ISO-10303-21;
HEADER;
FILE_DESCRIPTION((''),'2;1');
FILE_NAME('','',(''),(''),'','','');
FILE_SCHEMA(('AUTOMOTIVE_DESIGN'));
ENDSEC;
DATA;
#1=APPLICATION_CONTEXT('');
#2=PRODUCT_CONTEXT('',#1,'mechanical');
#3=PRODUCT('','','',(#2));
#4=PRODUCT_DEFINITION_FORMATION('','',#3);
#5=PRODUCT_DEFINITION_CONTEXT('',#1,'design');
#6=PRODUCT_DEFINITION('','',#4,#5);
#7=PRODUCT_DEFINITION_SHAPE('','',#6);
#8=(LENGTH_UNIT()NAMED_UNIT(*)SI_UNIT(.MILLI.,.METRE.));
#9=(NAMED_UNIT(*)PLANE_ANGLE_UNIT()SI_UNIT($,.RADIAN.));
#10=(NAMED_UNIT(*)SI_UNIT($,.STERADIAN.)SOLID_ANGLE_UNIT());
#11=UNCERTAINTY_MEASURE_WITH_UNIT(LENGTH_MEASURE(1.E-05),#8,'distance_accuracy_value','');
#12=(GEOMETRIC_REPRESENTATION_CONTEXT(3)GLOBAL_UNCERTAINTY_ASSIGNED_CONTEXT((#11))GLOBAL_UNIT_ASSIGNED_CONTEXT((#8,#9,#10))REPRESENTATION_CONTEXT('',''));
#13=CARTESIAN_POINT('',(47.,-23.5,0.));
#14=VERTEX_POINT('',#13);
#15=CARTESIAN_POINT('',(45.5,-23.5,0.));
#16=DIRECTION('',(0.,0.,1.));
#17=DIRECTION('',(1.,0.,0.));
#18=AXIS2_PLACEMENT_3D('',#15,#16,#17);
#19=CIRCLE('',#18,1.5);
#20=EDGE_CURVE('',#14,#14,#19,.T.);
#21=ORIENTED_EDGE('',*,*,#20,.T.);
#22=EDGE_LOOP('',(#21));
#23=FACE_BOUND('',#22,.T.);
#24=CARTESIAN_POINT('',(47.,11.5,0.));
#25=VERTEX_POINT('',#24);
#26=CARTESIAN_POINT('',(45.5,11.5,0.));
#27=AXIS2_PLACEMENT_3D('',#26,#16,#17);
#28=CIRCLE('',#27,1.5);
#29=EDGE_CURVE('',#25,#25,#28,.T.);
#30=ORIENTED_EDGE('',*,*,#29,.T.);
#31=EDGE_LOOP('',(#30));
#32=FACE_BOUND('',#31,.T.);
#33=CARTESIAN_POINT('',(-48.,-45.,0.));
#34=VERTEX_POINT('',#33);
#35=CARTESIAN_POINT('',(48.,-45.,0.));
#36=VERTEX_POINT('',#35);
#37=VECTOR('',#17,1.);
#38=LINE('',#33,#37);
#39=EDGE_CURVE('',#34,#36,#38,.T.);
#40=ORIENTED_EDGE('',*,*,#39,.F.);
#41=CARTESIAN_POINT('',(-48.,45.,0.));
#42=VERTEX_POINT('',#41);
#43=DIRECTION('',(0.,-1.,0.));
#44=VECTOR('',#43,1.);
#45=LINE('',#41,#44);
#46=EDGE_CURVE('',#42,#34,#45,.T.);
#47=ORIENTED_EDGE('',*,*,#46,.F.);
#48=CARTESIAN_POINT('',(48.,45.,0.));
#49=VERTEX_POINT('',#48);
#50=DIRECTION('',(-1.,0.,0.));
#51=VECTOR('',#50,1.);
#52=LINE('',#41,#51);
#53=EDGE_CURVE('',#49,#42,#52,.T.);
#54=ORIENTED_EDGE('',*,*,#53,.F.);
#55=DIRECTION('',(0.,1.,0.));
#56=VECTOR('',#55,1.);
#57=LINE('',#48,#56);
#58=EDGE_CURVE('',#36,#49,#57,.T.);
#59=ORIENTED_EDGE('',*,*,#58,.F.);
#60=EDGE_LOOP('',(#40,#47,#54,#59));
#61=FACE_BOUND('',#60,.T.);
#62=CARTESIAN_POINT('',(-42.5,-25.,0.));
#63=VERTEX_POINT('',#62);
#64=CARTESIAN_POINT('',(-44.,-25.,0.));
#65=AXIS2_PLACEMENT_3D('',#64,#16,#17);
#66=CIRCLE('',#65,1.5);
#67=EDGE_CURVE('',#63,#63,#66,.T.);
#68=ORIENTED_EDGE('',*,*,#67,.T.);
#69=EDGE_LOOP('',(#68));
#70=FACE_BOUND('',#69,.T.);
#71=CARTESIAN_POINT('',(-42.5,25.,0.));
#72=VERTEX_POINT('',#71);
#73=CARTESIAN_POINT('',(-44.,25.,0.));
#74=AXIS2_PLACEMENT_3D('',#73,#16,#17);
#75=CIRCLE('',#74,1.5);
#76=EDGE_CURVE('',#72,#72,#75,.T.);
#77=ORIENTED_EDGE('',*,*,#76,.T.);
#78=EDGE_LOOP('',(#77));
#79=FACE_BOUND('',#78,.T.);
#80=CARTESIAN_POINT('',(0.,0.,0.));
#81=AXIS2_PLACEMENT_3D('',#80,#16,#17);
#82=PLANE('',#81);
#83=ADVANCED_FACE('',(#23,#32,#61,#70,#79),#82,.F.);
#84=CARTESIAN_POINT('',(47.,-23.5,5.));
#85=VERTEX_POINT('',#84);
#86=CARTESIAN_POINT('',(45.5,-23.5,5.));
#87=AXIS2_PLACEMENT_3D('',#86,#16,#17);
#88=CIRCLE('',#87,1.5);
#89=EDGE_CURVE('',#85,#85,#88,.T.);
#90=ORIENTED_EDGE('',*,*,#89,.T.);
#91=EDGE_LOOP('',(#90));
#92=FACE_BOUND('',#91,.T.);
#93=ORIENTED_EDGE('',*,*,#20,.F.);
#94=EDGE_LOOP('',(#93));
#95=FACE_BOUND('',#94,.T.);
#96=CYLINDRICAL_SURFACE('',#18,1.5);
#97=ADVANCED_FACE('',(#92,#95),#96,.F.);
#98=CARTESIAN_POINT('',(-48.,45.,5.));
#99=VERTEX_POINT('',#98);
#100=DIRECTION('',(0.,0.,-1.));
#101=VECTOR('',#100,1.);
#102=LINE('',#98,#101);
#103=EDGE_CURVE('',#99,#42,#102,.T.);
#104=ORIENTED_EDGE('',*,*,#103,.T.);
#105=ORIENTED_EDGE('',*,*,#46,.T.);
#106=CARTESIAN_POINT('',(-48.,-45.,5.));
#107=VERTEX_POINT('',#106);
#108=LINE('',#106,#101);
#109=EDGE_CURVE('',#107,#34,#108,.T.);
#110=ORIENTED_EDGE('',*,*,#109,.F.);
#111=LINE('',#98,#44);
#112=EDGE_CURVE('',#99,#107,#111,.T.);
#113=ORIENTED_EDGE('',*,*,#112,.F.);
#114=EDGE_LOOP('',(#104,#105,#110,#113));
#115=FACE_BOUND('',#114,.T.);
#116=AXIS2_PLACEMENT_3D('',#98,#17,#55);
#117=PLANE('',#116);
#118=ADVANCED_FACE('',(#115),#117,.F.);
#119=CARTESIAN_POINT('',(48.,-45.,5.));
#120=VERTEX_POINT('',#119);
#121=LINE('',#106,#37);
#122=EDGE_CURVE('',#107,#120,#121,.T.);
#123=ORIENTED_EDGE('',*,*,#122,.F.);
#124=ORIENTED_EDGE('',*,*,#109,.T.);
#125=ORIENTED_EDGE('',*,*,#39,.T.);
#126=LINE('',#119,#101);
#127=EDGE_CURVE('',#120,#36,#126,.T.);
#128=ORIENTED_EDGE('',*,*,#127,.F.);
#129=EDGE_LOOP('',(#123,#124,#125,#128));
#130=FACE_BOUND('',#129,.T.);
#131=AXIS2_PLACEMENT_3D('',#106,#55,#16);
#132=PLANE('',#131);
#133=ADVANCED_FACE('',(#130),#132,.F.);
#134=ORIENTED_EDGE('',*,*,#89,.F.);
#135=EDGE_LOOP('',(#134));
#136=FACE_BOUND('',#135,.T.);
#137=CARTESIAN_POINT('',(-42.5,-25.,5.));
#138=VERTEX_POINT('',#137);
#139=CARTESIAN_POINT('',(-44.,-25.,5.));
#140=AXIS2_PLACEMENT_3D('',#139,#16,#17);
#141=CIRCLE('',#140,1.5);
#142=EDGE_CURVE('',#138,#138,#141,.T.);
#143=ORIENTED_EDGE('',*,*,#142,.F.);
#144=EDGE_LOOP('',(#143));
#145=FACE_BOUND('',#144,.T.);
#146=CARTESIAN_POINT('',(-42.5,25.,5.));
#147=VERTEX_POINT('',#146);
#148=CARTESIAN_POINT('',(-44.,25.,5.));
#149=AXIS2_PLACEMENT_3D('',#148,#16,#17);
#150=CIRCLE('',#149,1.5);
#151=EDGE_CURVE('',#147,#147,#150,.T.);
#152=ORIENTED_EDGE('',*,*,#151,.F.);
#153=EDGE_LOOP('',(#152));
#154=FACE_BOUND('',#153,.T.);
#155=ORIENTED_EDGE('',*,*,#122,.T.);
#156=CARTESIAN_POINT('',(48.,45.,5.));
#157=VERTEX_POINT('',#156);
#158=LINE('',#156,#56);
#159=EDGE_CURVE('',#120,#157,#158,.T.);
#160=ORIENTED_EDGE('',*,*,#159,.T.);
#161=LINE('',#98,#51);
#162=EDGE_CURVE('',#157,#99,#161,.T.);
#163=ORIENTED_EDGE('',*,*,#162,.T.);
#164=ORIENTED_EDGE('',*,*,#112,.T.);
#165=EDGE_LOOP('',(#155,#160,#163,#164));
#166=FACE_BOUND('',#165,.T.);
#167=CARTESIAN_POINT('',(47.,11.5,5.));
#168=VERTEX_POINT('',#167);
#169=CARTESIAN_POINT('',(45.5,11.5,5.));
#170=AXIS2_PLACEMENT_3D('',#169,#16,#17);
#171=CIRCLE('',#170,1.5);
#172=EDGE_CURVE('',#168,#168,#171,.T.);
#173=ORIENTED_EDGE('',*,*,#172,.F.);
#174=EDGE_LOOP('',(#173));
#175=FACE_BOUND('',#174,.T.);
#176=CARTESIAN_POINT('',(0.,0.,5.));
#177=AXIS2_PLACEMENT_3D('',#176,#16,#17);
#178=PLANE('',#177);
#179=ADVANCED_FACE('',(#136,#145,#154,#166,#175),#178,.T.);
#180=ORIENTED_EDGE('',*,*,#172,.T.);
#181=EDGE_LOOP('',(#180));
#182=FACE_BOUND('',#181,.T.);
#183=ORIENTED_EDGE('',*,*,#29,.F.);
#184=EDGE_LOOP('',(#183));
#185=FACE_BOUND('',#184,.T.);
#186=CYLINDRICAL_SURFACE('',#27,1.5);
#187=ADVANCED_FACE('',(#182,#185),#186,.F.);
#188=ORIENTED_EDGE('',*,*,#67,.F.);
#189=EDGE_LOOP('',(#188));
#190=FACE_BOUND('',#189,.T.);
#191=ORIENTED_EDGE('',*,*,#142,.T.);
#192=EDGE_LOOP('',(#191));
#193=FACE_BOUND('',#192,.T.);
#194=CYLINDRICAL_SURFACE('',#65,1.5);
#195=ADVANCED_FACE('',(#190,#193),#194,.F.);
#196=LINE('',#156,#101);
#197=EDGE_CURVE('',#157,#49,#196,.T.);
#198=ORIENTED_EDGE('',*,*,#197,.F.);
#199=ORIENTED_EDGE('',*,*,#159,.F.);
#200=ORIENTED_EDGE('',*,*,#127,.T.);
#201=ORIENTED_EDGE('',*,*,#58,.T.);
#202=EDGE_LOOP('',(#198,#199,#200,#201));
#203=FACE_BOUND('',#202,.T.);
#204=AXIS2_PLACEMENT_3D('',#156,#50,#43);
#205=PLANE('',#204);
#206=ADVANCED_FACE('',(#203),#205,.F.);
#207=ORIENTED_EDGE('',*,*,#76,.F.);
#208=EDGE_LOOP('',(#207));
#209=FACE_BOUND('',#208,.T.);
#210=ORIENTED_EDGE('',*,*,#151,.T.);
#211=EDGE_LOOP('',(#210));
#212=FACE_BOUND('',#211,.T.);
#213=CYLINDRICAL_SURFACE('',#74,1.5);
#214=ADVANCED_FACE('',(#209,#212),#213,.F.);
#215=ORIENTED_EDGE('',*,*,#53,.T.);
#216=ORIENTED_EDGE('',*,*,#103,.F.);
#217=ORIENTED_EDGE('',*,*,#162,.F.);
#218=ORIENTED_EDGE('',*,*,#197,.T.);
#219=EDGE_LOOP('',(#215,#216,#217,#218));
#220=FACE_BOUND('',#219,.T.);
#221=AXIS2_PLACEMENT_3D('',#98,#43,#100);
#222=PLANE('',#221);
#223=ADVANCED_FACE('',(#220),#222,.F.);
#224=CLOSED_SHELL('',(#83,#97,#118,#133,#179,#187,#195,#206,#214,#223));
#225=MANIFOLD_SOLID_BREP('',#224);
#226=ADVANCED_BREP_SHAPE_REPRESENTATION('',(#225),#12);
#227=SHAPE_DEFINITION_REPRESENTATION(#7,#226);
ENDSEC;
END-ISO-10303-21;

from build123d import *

# Parameters (mm, degrees)
SKETCH1_W           = 96
SKETCH1_H           = 90
BOSS_EXTRUDE1_DEPTH = 5
SKETCH2_R           = 1.5
CUT_EXTRUDE1_DEPTH  = 6
SKETCH3_R           = 1.5
CUT_EXTRUDE2_DEPTH  = 6


with BuildPart() as part:
    # Sketch1 → Boss-Extrude1 (new body)
    with BuildSketch(Plane.XY):
        Rectangle(SKETCH1_W, SKETCH1_H)
    extrude(amount=BOSS_EXTRUDE1_DEPTH)

    # Sketch2 → Cut-Extrude1 (cut, through all)
    with BuildSketch(Plane.XY.offset(5)):
        with Locations((45.5, 11.5)):
            Circle(SKETCH2_R)
        with Locations((45.5, -23.5)):
            Circle(SKETCH2_R)
    extrude(amount=-CUT_EXTRUDE1_DEPTH, mode=Mode.SUBTRACT)

    # Sketch3 → Cut-Extrude2 (cut, through all)
    with BuildSketch(Plane.XY.offset(5)):
        with Locations((-44, 25)):
            Circle(SKETCH3_R)
        with Locations((-44, -25)):
            Circle(SKETCH3_R)
    extrude(amount=-CUT_EXTRUDE2_DEPTH, mode=Mode.SUBTRACT)


solid = part.part
